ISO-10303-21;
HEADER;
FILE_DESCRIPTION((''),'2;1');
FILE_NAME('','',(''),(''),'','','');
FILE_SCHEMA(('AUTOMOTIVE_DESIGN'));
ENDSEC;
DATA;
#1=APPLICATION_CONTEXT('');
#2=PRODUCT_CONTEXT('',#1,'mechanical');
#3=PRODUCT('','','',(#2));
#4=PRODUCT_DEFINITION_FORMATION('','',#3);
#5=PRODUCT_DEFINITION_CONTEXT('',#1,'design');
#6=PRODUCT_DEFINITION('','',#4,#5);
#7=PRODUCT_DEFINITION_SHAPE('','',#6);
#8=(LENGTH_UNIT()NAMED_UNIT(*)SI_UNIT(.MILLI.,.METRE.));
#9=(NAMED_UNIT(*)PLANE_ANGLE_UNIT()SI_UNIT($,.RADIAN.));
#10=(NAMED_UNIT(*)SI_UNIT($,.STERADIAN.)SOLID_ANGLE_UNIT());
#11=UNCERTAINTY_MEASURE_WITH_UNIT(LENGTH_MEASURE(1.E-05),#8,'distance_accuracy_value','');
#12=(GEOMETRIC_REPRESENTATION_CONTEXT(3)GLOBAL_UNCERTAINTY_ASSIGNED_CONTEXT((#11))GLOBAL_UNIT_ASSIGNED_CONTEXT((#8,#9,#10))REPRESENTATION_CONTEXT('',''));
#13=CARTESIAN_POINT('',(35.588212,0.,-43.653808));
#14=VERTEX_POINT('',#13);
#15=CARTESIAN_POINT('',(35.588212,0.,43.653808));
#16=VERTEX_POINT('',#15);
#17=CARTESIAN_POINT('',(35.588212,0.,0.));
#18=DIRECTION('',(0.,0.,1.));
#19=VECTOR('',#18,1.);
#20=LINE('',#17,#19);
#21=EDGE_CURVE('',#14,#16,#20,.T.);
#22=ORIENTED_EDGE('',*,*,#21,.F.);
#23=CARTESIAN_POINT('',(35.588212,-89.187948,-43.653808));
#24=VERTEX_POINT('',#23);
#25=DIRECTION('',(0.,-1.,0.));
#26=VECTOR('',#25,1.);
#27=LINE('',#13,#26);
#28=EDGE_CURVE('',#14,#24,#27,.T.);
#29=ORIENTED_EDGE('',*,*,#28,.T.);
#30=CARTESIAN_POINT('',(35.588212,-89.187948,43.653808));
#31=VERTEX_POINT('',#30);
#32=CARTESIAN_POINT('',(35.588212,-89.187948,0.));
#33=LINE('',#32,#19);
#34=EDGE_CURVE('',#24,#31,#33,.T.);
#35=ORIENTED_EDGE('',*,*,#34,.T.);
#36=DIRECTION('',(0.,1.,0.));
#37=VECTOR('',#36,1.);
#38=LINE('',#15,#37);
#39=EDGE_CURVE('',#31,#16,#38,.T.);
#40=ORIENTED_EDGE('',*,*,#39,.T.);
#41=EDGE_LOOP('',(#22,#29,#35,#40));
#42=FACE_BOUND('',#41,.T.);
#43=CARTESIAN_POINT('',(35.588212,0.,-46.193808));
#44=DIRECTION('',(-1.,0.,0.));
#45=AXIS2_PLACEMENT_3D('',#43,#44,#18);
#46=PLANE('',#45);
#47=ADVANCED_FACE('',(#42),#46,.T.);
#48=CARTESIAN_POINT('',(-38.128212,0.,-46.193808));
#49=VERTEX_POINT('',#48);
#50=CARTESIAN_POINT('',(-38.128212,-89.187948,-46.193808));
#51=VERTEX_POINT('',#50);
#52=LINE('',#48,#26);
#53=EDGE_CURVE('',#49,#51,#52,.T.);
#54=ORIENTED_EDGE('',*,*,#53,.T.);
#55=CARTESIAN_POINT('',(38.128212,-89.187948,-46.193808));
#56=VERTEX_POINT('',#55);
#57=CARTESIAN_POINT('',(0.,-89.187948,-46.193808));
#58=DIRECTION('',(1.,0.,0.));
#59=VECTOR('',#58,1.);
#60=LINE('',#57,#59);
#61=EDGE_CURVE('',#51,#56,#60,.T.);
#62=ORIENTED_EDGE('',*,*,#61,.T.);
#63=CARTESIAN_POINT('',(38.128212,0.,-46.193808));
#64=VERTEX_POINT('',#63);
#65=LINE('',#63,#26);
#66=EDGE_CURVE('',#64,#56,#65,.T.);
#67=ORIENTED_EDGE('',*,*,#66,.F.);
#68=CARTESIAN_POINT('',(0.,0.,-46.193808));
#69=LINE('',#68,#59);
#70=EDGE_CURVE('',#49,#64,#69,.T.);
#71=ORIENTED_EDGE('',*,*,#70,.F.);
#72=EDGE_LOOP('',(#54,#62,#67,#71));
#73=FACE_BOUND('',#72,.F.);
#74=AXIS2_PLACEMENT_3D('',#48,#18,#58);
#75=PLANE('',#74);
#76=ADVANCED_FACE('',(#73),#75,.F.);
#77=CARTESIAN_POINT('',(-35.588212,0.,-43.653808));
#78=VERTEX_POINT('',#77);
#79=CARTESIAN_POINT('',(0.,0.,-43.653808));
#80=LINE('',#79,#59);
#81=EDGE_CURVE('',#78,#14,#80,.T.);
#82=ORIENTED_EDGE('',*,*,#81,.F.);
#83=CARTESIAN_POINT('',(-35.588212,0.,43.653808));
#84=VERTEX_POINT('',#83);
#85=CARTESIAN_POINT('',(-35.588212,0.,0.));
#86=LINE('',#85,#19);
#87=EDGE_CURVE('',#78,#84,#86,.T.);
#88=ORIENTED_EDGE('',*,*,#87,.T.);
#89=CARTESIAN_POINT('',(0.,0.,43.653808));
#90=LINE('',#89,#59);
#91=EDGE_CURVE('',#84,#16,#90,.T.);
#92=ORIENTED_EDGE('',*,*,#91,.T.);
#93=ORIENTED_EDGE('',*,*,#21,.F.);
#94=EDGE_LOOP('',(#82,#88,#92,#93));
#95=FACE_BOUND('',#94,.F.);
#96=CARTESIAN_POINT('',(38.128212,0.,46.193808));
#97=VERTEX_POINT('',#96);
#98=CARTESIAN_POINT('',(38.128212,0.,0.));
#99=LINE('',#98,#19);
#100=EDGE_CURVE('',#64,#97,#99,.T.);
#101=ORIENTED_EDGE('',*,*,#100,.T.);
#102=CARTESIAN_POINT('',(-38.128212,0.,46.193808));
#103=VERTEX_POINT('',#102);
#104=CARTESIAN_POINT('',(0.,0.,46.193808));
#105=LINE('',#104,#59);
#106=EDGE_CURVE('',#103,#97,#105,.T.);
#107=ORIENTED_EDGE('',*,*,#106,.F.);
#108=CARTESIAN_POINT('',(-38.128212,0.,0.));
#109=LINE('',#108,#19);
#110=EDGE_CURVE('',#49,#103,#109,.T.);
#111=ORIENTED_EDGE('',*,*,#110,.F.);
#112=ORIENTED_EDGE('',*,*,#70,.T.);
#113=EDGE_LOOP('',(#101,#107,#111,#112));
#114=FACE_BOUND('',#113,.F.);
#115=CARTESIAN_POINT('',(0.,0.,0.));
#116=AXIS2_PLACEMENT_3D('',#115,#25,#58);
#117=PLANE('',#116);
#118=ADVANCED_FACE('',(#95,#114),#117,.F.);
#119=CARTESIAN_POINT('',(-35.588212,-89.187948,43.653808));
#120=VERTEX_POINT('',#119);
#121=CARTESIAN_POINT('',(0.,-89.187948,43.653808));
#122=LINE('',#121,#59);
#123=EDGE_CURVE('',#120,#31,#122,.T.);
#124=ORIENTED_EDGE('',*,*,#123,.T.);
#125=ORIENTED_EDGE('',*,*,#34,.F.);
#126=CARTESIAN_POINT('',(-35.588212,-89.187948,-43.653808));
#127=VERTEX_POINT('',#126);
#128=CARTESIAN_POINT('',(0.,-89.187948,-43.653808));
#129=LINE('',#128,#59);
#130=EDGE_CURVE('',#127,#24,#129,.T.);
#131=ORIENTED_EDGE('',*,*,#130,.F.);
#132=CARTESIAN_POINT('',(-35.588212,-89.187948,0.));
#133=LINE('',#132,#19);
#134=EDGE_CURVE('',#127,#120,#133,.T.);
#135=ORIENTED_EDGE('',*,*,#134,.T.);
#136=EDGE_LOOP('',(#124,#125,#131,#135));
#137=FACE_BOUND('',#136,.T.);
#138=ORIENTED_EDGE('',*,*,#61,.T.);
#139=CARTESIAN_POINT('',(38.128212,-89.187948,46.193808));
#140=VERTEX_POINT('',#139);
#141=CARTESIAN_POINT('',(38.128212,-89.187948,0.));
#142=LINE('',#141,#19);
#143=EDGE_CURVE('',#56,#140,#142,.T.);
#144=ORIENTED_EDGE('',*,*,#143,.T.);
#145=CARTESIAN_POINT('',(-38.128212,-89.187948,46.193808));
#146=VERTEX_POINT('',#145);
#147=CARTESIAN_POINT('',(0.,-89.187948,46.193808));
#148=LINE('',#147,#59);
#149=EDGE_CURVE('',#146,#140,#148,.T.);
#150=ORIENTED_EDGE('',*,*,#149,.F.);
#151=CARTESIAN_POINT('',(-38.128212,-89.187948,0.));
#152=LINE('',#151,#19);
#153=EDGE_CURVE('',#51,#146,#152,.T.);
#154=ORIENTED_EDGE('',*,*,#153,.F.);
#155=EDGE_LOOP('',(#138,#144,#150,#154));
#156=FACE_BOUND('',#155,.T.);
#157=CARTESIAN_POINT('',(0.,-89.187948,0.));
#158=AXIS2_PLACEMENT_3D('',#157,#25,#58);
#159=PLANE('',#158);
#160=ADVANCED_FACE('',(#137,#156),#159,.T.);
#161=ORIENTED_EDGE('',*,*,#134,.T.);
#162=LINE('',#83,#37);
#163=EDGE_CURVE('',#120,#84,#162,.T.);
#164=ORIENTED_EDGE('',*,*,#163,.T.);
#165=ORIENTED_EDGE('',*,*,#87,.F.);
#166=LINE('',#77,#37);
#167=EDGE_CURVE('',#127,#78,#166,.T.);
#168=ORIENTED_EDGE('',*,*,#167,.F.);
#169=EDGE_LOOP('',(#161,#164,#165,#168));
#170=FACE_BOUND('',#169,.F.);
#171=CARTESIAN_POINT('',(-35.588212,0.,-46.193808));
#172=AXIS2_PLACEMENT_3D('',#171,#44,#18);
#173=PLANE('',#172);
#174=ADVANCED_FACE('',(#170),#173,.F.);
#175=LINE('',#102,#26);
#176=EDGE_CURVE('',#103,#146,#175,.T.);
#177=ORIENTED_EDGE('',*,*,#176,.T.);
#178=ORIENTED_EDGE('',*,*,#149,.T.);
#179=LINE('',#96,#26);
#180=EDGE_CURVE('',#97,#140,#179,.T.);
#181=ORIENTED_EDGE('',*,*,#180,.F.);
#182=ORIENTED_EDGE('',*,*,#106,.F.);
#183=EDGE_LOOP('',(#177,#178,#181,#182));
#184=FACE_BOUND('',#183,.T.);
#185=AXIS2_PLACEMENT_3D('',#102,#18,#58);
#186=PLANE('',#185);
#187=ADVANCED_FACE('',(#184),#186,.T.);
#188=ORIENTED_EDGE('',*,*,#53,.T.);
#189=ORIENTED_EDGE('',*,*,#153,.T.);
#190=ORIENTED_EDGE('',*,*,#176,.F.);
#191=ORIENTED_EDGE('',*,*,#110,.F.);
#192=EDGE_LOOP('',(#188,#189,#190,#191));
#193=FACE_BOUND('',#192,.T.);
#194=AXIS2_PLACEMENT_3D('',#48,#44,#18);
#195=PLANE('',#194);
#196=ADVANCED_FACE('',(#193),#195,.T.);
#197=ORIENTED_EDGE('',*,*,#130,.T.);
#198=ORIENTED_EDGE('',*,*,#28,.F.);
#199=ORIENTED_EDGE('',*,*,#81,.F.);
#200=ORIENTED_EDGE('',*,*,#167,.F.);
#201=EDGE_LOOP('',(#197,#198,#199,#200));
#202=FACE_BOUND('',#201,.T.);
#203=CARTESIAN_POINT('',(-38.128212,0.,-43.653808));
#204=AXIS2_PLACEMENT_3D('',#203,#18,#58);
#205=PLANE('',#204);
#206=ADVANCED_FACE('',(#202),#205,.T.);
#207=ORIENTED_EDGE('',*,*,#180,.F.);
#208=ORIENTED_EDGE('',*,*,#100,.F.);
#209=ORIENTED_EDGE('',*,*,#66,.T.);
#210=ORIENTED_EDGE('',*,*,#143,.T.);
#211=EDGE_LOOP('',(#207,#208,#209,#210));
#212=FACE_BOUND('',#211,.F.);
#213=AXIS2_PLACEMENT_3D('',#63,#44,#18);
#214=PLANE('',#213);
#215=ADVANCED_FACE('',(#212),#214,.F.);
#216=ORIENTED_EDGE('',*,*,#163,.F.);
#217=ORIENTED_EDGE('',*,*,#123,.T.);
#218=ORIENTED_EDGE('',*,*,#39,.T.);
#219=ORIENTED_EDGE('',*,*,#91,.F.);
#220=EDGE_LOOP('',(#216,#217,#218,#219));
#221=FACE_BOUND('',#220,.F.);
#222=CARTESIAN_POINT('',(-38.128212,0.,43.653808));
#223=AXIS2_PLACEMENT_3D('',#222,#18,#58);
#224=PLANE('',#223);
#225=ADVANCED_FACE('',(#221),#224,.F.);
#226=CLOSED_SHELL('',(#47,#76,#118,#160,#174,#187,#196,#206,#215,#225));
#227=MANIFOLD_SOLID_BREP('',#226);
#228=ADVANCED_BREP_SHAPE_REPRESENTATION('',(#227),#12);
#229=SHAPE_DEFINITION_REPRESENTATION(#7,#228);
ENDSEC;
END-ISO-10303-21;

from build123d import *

# Parameters (mm, degrees)
F0_W     = 76.256424
F0_H     = 92.387616
F1_DEPTH = 89.187948
F2_T     = -2.54


with BuildPart() as f1:
    # F0 (on Front) → F1 (new body)
    with BuildSketch(Plane.XZ):
        Rectangle(F0_W, F0_H)
    extrude(amount=F1_DEPTH)

    # F2
    f2_openings = [f1.faces().sort_by_distance(p)[0] for p in [
        (0, -89.187948, 0),
        (0, 0, 0),
    ]]
    offset(amount=F2_T, openings=f2_openings)


solid = f1.part
